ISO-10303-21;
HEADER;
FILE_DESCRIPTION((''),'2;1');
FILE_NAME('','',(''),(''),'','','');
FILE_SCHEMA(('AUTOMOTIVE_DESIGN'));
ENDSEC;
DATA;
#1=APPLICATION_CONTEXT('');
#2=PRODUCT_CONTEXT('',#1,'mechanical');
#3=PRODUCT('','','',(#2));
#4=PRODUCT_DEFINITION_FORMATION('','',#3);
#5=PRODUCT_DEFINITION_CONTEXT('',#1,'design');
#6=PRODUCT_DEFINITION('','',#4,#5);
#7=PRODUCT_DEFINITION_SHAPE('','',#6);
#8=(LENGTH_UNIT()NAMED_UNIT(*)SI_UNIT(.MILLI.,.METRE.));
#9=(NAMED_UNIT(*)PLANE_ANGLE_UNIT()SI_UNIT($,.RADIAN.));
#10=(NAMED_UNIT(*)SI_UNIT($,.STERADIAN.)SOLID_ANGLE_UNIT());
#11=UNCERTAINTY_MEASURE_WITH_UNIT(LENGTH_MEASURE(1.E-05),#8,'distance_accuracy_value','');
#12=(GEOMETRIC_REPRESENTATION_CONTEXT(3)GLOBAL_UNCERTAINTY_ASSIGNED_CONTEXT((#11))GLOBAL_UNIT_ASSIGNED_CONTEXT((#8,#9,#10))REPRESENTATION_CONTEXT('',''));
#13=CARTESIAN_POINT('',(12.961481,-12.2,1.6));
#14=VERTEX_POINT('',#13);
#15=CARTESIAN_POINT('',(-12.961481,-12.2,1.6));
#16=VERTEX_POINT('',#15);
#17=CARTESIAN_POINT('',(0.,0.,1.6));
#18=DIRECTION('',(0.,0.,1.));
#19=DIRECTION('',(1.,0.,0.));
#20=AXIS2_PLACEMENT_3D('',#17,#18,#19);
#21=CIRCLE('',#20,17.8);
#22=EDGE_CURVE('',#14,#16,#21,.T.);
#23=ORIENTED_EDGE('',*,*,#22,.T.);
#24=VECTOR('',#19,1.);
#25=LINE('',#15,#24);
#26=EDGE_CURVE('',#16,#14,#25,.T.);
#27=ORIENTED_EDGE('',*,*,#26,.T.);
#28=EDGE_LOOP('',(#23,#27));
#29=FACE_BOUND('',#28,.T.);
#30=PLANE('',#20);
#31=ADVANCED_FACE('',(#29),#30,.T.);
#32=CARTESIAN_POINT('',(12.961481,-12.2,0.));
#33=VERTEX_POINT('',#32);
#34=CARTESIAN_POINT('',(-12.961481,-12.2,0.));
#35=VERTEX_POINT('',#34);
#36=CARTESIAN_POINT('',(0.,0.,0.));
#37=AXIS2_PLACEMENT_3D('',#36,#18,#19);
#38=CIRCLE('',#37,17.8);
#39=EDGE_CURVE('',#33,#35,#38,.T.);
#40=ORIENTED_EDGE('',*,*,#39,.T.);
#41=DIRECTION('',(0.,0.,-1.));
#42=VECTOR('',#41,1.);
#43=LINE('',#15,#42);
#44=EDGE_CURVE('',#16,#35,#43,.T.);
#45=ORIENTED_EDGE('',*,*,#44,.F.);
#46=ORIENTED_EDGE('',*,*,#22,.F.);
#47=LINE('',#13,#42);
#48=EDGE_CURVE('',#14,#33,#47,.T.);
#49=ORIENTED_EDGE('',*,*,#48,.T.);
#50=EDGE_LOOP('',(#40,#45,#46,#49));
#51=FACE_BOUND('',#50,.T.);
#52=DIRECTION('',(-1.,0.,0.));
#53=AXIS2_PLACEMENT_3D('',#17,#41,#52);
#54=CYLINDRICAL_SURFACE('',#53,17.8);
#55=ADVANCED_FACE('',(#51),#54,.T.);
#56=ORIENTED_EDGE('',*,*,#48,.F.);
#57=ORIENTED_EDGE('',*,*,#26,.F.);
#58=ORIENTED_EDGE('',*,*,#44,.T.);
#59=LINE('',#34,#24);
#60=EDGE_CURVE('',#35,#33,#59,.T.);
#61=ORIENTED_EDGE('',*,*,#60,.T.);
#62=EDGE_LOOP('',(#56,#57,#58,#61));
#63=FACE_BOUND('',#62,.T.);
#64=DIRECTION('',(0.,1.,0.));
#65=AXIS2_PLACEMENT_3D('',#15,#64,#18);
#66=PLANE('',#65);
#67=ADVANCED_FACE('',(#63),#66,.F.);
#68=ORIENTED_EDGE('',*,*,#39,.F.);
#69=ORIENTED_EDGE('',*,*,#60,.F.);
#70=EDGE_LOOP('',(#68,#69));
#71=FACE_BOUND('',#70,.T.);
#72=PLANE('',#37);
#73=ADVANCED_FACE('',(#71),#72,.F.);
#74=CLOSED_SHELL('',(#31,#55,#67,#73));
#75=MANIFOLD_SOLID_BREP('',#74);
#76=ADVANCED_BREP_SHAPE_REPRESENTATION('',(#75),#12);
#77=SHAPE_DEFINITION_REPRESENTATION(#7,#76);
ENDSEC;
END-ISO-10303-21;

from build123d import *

# Parameters (mm, degrees)
BOSS_EXTRU_1_CONTOUR_DEPTH = 1.6


with BuildPart() as part:
    # Contour → Boss.-Extru.1_Contour (new body)
    with BuildSketch(Plane.XY):
        with BuildLine():
            Line((-12.961481397, -12.2), (12.961481397, -12.2))
            ThreePointArc((12.961481397, -12.2), (0, 17.8), (-12.961481397, -12.2))
        make_face()
    extrude(amount=BOSS_EXTRU_1_CONTOUR_DEPTH)


solid = part.part
